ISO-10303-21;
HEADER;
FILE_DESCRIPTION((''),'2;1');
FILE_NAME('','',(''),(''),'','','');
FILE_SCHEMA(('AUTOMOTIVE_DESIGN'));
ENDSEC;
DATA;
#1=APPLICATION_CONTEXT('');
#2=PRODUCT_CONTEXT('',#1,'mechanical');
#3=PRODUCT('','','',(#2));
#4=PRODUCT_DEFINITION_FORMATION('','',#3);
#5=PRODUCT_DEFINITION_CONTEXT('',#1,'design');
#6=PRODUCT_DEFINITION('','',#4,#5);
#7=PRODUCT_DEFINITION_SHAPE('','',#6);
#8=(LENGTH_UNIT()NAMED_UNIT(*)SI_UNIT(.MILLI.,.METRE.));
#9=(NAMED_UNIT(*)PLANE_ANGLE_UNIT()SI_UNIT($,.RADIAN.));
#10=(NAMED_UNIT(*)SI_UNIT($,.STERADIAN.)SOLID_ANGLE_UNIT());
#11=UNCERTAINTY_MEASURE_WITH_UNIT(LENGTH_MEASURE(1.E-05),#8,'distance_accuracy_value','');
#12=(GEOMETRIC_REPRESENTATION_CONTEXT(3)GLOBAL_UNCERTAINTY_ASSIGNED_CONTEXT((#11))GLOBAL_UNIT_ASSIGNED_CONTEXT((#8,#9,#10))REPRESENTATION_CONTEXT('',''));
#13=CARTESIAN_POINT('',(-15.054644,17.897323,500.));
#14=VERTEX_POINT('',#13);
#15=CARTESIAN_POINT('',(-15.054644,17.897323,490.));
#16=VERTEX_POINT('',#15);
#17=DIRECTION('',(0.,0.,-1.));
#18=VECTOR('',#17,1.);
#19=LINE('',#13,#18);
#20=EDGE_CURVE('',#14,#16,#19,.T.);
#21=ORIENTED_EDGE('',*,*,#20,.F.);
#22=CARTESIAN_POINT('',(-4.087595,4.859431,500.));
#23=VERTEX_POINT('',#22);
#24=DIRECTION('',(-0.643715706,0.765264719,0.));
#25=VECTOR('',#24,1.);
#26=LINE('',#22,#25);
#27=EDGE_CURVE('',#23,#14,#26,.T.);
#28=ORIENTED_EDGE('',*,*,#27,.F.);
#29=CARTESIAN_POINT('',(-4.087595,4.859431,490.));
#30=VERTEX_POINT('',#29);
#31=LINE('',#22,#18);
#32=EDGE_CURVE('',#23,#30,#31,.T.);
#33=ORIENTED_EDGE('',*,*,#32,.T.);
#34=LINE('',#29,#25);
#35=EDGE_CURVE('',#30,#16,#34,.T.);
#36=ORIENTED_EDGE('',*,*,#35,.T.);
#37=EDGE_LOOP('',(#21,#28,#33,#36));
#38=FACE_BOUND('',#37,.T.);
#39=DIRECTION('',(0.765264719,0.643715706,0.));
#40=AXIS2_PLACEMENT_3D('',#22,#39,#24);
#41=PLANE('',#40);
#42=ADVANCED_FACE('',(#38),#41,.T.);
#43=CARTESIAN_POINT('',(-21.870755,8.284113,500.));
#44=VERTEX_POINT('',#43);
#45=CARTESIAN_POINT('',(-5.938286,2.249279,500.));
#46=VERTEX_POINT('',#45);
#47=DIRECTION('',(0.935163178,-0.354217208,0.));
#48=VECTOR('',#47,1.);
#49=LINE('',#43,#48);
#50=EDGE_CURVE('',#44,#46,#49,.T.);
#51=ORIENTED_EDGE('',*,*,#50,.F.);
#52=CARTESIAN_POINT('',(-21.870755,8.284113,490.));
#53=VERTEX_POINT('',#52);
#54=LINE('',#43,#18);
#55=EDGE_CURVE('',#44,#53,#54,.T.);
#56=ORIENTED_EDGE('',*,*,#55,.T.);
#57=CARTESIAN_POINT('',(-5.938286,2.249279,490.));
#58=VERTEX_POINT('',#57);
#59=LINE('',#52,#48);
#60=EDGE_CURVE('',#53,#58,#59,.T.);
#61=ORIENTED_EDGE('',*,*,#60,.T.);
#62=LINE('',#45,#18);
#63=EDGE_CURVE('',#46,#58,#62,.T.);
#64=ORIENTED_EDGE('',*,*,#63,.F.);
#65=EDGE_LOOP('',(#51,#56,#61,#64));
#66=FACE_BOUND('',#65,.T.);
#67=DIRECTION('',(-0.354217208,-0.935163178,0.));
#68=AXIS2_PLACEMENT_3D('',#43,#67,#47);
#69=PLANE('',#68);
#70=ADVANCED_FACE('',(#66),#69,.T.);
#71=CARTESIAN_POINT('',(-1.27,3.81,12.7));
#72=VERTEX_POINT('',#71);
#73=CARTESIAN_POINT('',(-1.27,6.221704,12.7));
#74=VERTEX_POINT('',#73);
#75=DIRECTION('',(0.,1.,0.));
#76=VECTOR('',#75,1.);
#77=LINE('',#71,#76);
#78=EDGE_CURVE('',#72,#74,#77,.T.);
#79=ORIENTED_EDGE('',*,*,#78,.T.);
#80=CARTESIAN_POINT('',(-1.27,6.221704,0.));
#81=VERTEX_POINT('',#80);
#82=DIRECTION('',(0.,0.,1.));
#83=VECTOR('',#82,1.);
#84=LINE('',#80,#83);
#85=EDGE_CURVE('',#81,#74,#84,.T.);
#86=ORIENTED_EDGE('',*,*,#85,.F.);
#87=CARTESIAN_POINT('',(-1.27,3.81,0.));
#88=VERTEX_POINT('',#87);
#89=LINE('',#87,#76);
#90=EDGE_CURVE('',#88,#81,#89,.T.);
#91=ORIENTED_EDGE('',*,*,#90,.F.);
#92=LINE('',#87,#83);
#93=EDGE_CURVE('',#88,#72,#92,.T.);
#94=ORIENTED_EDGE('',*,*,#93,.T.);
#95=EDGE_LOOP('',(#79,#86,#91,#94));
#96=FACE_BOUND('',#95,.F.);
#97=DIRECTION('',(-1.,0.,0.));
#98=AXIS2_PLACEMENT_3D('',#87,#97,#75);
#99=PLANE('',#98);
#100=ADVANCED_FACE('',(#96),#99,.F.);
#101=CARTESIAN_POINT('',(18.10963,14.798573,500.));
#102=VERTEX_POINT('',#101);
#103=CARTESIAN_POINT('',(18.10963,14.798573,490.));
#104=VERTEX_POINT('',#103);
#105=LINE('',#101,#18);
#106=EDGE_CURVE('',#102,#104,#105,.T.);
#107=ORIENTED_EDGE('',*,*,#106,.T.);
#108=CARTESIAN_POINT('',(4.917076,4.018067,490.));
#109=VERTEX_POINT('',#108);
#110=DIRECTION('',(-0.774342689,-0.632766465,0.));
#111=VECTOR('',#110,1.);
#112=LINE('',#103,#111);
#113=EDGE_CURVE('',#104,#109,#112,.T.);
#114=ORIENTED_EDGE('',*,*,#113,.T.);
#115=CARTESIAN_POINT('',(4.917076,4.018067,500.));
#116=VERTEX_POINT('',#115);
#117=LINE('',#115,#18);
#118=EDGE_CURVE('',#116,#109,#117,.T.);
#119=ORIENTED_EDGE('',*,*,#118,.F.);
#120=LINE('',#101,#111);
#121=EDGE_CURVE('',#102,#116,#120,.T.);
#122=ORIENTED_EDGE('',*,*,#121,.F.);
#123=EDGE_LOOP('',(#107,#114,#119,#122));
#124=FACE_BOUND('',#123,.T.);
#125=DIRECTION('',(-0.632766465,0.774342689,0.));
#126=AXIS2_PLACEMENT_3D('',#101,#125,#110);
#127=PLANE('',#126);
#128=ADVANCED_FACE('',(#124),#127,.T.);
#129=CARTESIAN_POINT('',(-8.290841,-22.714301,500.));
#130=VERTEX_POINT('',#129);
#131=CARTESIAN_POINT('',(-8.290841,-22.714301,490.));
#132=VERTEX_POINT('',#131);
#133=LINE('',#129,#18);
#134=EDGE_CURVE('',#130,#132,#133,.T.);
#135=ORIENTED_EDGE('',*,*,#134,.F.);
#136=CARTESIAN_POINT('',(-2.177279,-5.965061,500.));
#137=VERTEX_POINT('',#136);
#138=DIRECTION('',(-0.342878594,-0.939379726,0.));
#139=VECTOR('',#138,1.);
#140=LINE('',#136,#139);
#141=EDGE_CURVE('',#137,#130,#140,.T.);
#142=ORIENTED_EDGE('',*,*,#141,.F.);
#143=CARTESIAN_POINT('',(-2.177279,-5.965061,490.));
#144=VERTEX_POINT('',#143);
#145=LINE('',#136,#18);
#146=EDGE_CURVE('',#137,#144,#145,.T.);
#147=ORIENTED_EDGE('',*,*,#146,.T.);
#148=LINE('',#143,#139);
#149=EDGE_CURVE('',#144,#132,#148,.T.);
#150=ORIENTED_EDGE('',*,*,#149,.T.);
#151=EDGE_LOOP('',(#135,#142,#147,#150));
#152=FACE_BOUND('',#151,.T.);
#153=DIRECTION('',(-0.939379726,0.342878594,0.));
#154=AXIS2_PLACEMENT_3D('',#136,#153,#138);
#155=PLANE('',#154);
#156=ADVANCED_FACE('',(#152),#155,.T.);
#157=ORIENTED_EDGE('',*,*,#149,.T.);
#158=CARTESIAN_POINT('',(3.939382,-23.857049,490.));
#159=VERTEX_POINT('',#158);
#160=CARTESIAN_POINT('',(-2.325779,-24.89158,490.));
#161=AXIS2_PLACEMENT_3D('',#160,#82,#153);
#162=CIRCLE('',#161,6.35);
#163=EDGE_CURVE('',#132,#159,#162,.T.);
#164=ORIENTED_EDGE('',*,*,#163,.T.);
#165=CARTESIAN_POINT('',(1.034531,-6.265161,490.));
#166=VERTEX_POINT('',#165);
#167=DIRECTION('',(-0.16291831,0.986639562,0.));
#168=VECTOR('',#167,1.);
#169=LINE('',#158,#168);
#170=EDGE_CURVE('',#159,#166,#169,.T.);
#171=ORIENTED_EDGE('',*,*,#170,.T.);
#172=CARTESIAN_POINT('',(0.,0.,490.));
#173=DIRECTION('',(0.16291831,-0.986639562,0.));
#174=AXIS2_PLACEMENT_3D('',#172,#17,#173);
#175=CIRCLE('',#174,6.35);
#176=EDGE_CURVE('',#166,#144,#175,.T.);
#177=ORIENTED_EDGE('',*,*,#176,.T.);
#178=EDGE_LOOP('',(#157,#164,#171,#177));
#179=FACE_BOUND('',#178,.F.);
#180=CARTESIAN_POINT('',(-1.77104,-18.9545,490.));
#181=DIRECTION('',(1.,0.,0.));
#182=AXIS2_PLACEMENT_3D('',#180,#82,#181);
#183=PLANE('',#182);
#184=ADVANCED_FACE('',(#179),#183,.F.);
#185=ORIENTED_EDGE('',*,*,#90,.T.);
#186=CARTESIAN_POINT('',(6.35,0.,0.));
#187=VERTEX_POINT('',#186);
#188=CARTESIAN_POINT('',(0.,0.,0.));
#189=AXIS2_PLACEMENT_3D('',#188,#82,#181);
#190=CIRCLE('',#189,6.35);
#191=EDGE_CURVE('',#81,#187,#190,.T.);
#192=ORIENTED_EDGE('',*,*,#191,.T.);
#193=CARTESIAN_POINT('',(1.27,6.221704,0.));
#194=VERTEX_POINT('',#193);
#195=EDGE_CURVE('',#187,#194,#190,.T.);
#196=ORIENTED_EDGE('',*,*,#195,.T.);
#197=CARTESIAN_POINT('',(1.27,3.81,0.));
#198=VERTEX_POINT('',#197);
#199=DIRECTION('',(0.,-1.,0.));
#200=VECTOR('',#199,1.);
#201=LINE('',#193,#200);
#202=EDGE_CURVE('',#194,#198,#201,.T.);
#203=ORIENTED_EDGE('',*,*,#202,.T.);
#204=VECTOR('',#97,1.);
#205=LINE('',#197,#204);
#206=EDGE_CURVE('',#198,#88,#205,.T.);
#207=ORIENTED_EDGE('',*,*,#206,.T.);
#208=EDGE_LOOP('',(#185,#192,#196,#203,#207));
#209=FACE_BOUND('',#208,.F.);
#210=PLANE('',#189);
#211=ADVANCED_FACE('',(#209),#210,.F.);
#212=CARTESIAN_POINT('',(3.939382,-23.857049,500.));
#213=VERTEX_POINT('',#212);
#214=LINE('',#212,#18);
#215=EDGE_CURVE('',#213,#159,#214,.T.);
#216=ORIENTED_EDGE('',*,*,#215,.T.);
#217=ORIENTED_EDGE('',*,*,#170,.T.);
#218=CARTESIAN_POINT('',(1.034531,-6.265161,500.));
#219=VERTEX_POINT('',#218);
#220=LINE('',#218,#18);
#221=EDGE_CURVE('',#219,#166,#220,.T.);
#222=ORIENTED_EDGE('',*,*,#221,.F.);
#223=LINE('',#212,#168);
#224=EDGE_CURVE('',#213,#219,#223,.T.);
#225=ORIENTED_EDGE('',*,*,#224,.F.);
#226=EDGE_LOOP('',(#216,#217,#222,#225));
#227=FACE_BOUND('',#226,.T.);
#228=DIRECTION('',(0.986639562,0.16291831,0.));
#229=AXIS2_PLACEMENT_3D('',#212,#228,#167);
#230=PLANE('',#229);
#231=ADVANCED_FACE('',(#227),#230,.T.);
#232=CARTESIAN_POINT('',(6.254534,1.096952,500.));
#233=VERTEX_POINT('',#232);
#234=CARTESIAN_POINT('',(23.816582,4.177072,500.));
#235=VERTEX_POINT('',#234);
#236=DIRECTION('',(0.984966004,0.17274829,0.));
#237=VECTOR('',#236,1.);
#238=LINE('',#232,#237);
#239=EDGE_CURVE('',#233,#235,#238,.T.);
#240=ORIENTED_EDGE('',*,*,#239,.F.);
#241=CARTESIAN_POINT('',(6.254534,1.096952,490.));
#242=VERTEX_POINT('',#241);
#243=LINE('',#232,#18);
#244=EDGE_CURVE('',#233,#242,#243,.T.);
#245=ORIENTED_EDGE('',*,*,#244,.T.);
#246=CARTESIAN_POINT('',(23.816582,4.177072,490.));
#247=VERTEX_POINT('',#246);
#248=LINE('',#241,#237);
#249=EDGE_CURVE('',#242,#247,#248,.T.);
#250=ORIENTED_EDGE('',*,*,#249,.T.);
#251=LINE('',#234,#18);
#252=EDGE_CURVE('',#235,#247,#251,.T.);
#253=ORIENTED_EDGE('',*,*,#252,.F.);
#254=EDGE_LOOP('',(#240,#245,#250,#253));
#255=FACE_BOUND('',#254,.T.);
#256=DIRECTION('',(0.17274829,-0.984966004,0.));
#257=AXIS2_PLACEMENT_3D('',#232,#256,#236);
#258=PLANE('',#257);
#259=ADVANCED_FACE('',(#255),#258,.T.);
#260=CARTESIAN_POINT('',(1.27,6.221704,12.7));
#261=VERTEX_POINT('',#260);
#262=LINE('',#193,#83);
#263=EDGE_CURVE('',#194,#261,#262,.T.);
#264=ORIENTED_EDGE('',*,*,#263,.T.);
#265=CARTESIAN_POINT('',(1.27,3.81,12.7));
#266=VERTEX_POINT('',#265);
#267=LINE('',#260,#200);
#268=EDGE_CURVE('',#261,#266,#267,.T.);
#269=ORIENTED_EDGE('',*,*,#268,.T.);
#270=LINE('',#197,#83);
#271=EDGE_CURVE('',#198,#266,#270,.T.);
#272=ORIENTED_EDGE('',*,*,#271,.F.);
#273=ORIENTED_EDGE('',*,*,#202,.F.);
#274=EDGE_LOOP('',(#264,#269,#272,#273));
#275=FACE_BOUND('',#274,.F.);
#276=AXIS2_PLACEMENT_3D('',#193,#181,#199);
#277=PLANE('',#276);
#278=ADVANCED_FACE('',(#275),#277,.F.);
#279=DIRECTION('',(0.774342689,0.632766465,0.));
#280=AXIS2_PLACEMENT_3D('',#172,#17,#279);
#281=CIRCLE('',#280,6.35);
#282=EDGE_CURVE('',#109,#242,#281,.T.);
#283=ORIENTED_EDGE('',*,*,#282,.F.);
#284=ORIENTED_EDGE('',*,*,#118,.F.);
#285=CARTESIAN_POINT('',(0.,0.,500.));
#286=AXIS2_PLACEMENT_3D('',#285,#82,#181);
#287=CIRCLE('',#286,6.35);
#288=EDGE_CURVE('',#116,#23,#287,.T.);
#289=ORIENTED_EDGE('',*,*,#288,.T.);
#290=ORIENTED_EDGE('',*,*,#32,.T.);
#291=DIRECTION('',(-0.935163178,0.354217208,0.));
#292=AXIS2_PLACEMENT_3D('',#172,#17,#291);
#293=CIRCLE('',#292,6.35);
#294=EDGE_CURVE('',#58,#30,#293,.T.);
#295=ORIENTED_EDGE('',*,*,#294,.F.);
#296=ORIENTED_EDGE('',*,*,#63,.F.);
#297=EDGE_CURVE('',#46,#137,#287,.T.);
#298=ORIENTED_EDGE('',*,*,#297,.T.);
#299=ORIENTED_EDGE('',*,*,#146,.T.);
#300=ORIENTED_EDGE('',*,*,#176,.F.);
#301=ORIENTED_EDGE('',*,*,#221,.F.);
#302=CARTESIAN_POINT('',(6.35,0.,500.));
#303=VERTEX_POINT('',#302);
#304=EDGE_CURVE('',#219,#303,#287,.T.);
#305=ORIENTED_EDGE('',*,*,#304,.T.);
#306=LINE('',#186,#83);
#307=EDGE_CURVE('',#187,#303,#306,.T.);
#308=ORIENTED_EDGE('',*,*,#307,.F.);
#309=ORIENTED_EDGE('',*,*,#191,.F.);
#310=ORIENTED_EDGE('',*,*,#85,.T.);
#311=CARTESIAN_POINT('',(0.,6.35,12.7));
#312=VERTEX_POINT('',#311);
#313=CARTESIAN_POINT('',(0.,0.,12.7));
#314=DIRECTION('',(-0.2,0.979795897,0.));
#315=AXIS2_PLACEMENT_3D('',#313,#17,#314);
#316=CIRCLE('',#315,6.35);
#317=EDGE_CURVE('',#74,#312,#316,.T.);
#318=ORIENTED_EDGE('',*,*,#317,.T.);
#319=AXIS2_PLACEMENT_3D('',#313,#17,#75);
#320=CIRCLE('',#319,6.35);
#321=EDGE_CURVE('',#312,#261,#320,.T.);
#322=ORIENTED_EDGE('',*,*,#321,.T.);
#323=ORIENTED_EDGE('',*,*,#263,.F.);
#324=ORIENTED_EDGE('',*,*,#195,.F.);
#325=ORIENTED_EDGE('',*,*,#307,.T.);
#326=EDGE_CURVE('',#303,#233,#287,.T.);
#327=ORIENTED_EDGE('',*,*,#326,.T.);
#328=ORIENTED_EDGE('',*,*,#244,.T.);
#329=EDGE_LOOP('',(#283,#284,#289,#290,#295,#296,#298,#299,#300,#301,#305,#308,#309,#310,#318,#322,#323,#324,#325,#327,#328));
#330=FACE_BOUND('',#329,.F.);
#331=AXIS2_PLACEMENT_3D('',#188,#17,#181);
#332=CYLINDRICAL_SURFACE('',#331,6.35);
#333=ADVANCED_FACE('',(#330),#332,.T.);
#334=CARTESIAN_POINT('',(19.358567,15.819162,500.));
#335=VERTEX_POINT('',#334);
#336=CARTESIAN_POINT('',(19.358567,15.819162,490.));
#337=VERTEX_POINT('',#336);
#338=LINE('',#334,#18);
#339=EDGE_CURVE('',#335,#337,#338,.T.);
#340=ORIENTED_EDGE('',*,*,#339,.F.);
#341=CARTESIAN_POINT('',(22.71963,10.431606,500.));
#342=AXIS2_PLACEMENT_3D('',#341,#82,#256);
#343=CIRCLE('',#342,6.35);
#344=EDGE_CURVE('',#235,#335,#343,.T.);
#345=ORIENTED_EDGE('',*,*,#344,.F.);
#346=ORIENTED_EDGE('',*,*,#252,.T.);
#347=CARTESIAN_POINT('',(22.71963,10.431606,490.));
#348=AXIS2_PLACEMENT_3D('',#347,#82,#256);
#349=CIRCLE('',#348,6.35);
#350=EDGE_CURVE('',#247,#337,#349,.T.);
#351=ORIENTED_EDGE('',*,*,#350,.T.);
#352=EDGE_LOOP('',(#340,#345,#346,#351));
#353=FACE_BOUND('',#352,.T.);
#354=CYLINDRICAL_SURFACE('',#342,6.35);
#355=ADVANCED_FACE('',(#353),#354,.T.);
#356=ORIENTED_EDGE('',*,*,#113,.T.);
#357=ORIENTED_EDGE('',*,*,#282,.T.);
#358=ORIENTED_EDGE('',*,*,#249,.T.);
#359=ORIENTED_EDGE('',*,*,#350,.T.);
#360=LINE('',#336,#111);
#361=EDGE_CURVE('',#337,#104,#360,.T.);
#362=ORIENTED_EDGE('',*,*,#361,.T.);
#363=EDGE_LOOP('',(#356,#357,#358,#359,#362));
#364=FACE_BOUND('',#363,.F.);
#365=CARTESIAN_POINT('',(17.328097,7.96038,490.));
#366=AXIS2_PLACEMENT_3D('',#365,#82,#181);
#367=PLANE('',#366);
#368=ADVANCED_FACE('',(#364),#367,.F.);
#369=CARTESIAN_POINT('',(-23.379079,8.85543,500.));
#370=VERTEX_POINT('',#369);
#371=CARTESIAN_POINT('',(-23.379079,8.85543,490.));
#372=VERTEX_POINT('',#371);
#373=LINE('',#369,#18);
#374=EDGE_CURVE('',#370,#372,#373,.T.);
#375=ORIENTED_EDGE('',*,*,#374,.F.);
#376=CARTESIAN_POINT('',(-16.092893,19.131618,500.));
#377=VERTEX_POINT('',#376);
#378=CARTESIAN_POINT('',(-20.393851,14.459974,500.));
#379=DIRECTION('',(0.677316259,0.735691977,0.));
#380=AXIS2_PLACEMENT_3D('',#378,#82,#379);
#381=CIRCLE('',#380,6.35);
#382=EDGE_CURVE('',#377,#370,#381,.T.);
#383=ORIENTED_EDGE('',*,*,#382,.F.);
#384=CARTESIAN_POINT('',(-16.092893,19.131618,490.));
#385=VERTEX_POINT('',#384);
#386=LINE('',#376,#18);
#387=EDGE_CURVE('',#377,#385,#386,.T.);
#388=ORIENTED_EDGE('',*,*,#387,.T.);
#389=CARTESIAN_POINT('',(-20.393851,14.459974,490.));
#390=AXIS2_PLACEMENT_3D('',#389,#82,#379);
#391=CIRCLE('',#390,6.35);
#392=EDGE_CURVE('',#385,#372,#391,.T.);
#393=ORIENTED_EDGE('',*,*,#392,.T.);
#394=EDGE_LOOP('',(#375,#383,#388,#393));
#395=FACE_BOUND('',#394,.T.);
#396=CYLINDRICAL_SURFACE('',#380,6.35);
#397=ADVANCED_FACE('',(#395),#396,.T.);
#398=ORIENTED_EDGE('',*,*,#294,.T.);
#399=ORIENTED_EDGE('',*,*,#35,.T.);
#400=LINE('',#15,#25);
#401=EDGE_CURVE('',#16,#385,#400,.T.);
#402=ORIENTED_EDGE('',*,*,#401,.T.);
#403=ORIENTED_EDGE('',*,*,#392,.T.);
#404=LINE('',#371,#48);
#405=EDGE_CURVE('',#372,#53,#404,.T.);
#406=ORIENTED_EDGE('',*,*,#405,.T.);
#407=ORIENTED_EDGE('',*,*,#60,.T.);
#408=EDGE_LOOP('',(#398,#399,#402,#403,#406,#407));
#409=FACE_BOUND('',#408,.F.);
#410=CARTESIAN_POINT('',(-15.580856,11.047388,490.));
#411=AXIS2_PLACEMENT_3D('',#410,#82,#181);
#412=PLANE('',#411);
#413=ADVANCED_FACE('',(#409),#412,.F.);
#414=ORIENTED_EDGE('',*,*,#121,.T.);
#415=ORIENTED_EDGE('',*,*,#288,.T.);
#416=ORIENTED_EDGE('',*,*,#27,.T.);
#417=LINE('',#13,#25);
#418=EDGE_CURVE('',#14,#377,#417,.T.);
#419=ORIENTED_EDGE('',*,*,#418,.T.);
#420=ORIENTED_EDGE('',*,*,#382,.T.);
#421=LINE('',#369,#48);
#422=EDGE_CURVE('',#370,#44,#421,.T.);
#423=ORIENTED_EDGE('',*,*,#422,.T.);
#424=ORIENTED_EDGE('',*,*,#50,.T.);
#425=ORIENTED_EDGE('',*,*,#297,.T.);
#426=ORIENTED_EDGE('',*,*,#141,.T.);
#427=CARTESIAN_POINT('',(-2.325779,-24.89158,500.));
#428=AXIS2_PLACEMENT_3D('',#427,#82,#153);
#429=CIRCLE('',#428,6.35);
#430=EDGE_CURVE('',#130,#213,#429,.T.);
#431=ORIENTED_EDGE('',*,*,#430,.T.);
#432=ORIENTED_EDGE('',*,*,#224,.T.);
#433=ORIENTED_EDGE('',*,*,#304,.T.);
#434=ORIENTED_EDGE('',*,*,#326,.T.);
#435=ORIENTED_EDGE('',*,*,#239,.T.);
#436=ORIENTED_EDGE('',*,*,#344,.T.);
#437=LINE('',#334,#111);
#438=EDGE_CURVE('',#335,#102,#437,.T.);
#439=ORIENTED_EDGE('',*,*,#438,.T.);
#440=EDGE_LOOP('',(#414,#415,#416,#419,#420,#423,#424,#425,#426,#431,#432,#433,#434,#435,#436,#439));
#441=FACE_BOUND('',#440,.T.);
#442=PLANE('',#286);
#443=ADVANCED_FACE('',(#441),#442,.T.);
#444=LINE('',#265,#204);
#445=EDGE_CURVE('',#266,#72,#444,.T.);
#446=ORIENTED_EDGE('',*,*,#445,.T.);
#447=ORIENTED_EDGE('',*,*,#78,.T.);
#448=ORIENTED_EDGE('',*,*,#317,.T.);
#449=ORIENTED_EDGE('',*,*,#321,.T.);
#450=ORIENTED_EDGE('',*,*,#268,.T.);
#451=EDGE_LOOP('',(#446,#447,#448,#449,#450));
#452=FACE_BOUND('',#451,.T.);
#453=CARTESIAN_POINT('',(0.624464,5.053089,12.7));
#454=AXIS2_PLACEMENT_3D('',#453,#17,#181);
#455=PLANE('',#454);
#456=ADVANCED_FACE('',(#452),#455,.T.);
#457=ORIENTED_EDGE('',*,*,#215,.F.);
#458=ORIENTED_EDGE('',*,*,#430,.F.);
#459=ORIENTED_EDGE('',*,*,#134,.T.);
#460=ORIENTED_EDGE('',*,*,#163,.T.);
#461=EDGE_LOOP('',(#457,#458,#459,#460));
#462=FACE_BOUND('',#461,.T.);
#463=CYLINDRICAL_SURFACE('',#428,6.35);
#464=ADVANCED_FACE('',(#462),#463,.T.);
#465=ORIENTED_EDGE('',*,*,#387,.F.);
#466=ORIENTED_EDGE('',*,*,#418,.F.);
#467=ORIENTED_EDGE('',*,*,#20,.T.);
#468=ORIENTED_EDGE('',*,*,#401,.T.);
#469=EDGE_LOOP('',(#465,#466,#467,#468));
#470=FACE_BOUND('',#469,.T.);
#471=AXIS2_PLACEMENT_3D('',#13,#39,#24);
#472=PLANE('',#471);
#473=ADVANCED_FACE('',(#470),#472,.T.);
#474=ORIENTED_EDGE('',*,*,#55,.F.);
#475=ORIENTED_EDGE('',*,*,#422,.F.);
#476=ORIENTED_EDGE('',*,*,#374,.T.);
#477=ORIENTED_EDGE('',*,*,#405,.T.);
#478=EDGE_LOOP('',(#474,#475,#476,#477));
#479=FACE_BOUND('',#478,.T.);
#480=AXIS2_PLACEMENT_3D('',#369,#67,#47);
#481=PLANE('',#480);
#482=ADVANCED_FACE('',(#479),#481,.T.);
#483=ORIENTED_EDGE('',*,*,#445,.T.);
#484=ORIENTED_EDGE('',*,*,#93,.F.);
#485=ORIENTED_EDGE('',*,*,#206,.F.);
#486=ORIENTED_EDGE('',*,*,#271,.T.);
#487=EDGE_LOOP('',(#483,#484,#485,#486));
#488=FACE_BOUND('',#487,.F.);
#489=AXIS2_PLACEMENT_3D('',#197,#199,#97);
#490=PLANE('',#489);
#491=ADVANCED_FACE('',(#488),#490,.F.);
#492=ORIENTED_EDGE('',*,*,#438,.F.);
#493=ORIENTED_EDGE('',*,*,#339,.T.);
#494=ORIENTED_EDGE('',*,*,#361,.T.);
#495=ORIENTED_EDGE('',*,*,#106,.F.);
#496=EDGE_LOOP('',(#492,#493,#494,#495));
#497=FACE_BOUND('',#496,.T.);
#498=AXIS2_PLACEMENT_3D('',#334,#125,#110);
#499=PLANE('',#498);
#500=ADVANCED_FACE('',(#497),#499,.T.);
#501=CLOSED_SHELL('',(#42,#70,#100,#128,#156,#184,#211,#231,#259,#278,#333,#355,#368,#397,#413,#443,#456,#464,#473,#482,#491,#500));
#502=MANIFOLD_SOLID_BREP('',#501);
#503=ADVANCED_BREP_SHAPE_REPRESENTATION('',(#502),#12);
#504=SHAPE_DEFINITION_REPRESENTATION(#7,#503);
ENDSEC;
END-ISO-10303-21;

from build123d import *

# Parameters (mm, degrees)
F0_R     = 6.35
F1_DEPTH = 500
F3_DEPTH = 10
F5_DEPTH = 12.7


with BuildPart() as f1:
    # F0 (on Top) → F1 (new body)
    with BuildSketch(Plane.XY):
        Circle(F0_R)
    extrude(amount=F1_DEPTH)

    # F2 (on face) → F3 (join)
    with BuildSketch(Plane.XY.offset(500)):
        with BuildLine():
            Line((-4.0875947315, 4.8594309657), (-15.054643582, 17.89732251))
            Line((-15.054643582, 17.89732251), (-16.0928926438, 19.1316179753))
            ThreePointArc((-16.0928926438, 19.1316179753), (-25.5738890172, 18.1328072988), (-23.379079454, 8.855430192))
            Line((-23.379079454, 8.855430192), (-21.8707547639, 8.2841132578))
            Line((-21.8707547639, 8.2841132578), (-5.9382861813, 2.2492792688))
            ThreePointArc((-5.9382861813, 2.2492792688), (-5.1800381263, 3.6728333763), (-4.0875947315, 4.8594309657))
        make_face()
        with BuildLine():
            Line((18.109629911, 14.7985725966), (4.9170760776, 4.0180670536))
            ThreePointArc((4.9170760776, 4.0180670536), (5.7735991749, 2.6434924943), (6.2545341231, 1.096951641))
            Line((6.2545341231, 1.096951641), (23.8165818414, 4.1770718682))
            ThreePointArc((23.8165818414, 4.1770718682), (28.6497325197, 12.7023738091), (19.3585672347, 15.8191616282))
            Line((19.3585672347, 15.8191616282), (18.109629911, 14.7985725966))
        make_face()
        with BuildLine():
            Line((3.9393819064, -23.8570486481), (1.0345312657, -6.2651612158))
            ThreePointArc((1.0345312657, -6.2651612158), (-0.5907479446, -6.3224612981), (-2.1772790737, -5.96506126))
            Line((-2.1772790737, -5.96506126), (-8.2908405694, -22.7143008401))
            ThreePointArc((-8.2908405694, -22.7143008401), (-2.9165272541, -31.2140412119), (3.9393819064, -23.8570486481))
        make_face()
    extrude(amount=-F3_DEPTH)

    # F4 (on face) → F5 (cut)
    with BuildSketch(Plane(origin=(0, 0, 0), x_dir=(1, 0, 0), z_dir=(0, 0, -1))):
        with BuildLine():
            Line((1.27, -3.81), (0, -3.81))
            Line((0, -3.81), (0, -6.35))
            ThreePointArc((0, -6.35), (0.6382319087, -6.3178445716), (1.27, -6.2217039467))
            Line((1.27, -6.2217039467), (1.27, -3.81))
        make_face()
        with BuildLine():
            Line((0, -6.35), (0, -3.81))
            Line((0, -3.81), (-1.27, -3.81))
            Line((-1.27, -3.81), (-1.27, -6.2217039467))
            ThreePointArc((-1.27, -6.2217039467), (-0.6382319087, -6.3178445716), (0, -6.35))
        make_face()
    extrude(amount=-F5_DEPTH, mode=Mode.SUBTRACT)


solid = f1.part
